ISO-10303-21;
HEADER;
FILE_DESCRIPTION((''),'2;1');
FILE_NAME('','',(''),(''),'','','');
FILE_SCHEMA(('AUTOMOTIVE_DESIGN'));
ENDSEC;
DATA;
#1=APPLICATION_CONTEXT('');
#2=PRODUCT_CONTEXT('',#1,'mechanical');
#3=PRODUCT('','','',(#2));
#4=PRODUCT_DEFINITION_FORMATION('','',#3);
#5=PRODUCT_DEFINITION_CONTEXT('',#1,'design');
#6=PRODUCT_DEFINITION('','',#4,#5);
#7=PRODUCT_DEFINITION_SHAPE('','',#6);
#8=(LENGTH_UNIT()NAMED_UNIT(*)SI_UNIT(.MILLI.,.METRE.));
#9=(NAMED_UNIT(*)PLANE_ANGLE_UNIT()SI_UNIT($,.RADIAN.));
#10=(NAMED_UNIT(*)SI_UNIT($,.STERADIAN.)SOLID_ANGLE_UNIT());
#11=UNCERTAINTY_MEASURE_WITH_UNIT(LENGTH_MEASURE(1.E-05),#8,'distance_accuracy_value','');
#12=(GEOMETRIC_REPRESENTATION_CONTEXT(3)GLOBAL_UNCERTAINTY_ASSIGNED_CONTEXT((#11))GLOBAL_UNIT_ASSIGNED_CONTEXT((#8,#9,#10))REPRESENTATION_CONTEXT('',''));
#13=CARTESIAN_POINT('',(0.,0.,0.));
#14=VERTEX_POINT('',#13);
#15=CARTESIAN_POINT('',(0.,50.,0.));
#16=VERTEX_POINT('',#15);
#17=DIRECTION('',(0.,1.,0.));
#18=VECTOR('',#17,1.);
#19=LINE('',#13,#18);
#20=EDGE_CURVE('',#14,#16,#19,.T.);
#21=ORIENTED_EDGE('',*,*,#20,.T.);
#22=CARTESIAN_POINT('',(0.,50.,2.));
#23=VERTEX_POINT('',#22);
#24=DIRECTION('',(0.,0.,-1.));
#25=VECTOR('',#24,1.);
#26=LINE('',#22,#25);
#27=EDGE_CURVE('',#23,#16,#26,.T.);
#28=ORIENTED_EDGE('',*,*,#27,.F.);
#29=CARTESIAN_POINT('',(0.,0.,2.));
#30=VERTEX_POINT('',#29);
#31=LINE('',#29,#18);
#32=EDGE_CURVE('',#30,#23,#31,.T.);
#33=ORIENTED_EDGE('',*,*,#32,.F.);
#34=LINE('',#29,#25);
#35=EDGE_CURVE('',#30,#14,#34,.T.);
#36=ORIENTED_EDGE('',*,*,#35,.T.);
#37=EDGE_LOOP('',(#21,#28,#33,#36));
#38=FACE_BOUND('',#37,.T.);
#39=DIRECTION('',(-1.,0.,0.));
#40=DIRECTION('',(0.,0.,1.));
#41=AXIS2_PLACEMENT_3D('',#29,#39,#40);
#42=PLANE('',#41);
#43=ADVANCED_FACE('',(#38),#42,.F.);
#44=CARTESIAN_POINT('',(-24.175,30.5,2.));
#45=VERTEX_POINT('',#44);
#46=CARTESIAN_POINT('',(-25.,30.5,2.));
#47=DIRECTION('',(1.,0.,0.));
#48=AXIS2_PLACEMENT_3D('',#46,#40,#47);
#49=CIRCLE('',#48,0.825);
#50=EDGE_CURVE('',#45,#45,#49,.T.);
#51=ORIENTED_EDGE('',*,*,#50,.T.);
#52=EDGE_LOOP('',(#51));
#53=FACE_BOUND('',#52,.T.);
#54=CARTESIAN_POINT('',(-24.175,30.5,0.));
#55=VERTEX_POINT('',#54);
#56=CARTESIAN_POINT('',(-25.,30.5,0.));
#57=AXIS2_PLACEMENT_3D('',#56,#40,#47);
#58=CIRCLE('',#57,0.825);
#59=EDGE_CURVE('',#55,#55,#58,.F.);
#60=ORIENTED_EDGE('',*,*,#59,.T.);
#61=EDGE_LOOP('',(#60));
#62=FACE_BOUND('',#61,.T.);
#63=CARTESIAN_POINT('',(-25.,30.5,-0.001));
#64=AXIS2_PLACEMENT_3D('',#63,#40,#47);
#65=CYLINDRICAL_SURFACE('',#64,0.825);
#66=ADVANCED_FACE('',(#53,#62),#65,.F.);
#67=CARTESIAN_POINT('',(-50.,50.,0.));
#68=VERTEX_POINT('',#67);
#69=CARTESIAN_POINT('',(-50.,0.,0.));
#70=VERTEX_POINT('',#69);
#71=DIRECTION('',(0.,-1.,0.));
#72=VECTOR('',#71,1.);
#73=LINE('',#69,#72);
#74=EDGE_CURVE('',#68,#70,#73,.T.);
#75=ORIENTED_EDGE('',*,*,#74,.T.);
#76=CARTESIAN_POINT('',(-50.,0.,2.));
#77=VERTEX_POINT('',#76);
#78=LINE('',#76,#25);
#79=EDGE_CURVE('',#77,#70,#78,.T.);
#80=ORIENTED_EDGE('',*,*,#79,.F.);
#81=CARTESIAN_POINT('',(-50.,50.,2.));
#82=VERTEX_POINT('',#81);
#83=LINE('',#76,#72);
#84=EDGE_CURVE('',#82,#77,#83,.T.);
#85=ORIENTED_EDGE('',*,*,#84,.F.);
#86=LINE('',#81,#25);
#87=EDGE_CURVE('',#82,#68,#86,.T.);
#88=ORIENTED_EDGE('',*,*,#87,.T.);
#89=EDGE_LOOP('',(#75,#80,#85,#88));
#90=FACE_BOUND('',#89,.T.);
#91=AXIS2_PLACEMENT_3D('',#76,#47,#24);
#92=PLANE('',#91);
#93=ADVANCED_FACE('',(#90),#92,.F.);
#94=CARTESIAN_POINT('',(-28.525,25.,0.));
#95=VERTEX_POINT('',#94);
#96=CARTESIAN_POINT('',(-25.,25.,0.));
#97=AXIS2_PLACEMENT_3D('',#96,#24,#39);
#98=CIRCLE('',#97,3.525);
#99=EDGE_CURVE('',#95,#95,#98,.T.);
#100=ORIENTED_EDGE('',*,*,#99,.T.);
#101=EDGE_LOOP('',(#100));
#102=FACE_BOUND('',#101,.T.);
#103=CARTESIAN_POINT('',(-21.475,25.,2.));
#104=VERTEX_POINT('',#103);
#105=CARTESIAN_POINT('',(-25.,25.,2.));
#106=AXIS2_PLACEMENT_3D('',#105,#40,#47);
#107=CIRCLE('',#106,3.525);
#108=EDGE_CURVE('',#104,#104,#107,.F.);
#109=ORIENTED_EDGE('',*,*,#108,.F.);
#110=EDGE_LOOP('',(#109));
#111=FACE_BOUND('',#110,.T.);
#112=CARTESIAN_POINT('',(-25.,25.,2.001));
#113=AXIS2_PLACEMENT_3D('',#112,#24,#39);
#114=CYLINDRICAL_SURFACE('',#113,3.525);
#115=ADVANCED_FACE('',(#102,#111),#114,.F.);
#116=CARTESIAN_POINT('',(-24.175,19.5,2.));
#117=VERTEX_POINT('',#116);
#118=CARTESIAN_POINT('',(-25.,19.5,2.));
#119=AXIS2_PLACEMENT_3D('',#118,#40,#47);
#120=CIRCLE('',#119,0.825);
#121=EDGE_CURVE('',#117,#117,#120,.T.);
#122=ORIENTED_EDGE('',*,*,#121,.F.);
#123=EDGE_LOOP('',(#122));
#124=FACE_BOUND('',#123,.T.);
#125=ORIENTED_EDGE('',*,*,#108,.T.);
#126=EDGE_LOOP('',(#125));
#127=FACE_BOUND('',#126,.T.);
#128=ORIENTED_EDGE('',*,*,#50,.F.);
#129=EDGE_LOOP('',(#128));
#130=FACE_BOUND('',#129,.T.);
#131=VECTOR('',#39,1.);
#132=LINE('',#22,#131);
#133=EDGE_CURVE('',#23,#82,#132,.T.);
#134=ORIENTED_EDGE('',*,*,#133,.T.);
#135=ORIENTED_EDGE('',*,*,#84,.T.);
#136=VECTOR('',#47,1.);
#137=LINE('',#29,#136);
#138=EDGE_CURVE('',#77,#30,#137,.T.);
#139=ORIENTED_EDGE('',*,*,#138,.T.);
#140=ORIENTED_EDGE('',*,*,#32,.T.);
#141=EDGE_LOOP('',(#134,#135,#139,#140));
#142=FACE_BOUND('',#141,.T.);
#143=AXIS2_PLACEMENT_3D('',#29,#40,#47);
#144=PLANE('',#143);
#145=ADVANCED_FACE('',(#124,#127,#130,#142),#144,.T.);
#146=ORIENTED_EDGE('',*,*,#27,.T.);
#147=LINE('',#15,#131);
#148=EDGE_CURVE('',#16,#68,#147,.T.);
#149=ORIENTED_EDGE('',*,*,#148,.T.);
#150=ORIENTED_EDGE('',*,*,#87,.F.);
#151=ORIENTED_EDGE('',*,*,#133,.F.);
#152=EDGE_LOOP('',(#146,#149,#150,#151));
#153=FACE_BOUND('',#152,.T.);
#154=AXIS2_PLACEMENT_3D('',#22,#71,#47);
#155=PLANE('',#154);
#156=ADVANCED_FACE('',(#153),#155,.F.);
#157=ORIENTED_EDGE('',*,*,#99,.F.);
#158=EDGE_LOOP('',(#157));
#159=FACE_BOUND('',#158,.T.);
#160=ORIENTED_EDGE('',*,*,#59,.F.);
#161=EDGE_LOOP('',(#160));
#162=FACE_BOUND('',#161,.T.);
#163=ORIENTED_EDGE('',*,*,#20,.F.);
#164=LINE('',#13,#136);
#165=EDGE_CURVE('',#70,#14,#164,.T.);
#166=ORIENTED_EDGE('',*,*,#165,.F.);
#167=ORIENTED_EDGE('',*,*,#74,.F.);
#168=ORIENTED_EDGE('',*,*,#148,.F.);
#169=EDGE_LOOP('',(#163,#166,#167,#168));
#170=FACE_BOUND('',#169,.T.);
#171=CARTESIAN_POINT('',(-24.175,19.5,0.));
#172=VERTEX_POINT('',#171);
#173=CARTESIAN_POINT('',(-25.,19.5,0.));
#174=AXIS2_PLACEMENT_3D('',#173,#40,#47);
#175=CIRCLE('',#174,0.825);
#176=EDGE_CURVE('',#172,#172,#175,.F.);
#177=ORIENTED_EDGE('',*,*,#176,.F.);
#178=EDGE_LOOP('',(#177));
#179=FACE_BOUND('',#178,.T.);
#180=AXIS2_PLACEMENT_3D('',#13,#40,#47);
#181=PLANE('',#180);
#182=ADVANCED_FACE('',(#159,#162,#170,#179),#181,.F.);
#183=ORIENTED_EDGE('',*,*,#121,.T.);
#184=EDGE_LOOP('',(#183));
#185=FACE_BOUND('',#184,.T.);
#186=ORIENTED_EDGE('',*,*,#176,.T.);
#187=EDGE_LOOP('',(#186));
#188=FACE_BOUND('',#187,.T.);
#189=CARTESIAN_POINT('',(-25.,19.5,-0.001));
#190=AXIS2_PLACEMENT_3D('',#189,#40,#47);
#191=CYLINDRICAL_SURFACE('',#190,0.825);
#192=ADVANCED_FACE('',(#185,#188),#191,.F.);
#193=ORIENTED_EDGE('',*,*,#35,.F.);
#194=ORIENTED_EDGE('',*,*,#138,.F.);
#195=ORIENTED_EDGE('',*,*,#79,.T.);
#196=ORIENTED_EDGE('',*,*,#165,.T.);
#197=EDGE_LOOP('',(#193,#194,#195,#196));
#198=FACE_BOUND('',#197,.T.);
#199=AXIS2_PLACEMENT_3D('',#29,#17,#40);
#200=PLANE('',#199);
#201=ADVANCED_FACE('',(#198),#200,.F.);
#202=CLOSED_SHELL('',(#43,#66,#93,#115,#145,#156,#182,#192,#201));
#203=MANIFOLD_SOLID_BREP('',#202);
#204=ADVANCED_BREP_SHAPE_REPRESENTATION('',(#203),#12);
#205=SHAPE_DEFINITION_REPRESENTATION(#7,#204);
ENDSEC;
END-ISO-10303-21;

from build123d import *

# Parameters (mm, degrees)
SKETCH4_W           = 50
SKETCH4_H           = 50
BOSS_EXTRUDE2_DEPTH = 2
CUT_EXTRUDE1_REACH  = 72.739
SKETCH5_R           = 0.825
CUT_EXTRUDE2_REACH  = 72.739
SKETCH6_R           = 3.525


with BuildPart() as part:
    # Sketch4 → Boss-Extrude2 (new body)
    with BuildSketch(Plane.XY):
        with Locations((-25, 25)):
            Rectangle(SKETCH4_W, SKETCH4_H)
    extrude(amount=BOSS_EXTRUDE2_DEPTH)

    # Sketch5 → Cut-Extrude1 (cut, up to next)
    with BuildSketch(Plane.XY.offset(2), mode=Mode.PRIVATE) as cut_extrude1_sk1:
        with Locations((-25, 30.5)):
            Circle(SKETCH5_R)
    cut_extrude1_tool1 = extrude(cut_extrude1_sk1.sketch, amount=-CUT_EXTRUDE1_REACH, mode=Mode.PRIVATE) & part.part
    # Sketch5 → Cut-Extrude1 (cut, up to next)
    with BuildSketch(Plane.XY.offset(2), mode=Mode.PRIVATE) as cut_extrude1_sk2:
        with Locations((-25, 19.5)):
            Circle(SKETCH5_R)
    cut_extrude1_tool2 = extrude(cut_extrude1_sk2.sketch, amount=-CUT_EXTRUDE1_REACH, mode=Mode.PRIVATE) & part.part
    add(cut_extrude1_tool1.solids().sort_by_distance((-25, 30.5, 2))[0], mode=Mode.SUBTRACT)
    add(cut_extrude1_tool2.solids().sort_by_distance((-25, 19.5, 2))[0], mode=Mode.SUBTRACT)

    # Sketch6 → Cut-Extrude2 (cut, up to next)
    with BuildSketch(Plane(origin=(0, 0, 0), x_dir=(-1, 0, 0), z_dir=(0, 0, -1)), mode=Mode.PRIVATE) as cut_extrude2_sk1:
        with Locations((25, 25)):
            Circle(SKETCH6_R)
    cut_extrude2_tool1 = extrude(cut_extrude2_sk1.sketch, amount=-CUT_EXTRUDE2_REACH, mode=Mode.PRIVATE) & part.part
    add(cut_extrude2_tool1.solids().sort_by_distance((-25, 25, 0))[0], mode=Mode.SUBTRACT)


solid = part.part
